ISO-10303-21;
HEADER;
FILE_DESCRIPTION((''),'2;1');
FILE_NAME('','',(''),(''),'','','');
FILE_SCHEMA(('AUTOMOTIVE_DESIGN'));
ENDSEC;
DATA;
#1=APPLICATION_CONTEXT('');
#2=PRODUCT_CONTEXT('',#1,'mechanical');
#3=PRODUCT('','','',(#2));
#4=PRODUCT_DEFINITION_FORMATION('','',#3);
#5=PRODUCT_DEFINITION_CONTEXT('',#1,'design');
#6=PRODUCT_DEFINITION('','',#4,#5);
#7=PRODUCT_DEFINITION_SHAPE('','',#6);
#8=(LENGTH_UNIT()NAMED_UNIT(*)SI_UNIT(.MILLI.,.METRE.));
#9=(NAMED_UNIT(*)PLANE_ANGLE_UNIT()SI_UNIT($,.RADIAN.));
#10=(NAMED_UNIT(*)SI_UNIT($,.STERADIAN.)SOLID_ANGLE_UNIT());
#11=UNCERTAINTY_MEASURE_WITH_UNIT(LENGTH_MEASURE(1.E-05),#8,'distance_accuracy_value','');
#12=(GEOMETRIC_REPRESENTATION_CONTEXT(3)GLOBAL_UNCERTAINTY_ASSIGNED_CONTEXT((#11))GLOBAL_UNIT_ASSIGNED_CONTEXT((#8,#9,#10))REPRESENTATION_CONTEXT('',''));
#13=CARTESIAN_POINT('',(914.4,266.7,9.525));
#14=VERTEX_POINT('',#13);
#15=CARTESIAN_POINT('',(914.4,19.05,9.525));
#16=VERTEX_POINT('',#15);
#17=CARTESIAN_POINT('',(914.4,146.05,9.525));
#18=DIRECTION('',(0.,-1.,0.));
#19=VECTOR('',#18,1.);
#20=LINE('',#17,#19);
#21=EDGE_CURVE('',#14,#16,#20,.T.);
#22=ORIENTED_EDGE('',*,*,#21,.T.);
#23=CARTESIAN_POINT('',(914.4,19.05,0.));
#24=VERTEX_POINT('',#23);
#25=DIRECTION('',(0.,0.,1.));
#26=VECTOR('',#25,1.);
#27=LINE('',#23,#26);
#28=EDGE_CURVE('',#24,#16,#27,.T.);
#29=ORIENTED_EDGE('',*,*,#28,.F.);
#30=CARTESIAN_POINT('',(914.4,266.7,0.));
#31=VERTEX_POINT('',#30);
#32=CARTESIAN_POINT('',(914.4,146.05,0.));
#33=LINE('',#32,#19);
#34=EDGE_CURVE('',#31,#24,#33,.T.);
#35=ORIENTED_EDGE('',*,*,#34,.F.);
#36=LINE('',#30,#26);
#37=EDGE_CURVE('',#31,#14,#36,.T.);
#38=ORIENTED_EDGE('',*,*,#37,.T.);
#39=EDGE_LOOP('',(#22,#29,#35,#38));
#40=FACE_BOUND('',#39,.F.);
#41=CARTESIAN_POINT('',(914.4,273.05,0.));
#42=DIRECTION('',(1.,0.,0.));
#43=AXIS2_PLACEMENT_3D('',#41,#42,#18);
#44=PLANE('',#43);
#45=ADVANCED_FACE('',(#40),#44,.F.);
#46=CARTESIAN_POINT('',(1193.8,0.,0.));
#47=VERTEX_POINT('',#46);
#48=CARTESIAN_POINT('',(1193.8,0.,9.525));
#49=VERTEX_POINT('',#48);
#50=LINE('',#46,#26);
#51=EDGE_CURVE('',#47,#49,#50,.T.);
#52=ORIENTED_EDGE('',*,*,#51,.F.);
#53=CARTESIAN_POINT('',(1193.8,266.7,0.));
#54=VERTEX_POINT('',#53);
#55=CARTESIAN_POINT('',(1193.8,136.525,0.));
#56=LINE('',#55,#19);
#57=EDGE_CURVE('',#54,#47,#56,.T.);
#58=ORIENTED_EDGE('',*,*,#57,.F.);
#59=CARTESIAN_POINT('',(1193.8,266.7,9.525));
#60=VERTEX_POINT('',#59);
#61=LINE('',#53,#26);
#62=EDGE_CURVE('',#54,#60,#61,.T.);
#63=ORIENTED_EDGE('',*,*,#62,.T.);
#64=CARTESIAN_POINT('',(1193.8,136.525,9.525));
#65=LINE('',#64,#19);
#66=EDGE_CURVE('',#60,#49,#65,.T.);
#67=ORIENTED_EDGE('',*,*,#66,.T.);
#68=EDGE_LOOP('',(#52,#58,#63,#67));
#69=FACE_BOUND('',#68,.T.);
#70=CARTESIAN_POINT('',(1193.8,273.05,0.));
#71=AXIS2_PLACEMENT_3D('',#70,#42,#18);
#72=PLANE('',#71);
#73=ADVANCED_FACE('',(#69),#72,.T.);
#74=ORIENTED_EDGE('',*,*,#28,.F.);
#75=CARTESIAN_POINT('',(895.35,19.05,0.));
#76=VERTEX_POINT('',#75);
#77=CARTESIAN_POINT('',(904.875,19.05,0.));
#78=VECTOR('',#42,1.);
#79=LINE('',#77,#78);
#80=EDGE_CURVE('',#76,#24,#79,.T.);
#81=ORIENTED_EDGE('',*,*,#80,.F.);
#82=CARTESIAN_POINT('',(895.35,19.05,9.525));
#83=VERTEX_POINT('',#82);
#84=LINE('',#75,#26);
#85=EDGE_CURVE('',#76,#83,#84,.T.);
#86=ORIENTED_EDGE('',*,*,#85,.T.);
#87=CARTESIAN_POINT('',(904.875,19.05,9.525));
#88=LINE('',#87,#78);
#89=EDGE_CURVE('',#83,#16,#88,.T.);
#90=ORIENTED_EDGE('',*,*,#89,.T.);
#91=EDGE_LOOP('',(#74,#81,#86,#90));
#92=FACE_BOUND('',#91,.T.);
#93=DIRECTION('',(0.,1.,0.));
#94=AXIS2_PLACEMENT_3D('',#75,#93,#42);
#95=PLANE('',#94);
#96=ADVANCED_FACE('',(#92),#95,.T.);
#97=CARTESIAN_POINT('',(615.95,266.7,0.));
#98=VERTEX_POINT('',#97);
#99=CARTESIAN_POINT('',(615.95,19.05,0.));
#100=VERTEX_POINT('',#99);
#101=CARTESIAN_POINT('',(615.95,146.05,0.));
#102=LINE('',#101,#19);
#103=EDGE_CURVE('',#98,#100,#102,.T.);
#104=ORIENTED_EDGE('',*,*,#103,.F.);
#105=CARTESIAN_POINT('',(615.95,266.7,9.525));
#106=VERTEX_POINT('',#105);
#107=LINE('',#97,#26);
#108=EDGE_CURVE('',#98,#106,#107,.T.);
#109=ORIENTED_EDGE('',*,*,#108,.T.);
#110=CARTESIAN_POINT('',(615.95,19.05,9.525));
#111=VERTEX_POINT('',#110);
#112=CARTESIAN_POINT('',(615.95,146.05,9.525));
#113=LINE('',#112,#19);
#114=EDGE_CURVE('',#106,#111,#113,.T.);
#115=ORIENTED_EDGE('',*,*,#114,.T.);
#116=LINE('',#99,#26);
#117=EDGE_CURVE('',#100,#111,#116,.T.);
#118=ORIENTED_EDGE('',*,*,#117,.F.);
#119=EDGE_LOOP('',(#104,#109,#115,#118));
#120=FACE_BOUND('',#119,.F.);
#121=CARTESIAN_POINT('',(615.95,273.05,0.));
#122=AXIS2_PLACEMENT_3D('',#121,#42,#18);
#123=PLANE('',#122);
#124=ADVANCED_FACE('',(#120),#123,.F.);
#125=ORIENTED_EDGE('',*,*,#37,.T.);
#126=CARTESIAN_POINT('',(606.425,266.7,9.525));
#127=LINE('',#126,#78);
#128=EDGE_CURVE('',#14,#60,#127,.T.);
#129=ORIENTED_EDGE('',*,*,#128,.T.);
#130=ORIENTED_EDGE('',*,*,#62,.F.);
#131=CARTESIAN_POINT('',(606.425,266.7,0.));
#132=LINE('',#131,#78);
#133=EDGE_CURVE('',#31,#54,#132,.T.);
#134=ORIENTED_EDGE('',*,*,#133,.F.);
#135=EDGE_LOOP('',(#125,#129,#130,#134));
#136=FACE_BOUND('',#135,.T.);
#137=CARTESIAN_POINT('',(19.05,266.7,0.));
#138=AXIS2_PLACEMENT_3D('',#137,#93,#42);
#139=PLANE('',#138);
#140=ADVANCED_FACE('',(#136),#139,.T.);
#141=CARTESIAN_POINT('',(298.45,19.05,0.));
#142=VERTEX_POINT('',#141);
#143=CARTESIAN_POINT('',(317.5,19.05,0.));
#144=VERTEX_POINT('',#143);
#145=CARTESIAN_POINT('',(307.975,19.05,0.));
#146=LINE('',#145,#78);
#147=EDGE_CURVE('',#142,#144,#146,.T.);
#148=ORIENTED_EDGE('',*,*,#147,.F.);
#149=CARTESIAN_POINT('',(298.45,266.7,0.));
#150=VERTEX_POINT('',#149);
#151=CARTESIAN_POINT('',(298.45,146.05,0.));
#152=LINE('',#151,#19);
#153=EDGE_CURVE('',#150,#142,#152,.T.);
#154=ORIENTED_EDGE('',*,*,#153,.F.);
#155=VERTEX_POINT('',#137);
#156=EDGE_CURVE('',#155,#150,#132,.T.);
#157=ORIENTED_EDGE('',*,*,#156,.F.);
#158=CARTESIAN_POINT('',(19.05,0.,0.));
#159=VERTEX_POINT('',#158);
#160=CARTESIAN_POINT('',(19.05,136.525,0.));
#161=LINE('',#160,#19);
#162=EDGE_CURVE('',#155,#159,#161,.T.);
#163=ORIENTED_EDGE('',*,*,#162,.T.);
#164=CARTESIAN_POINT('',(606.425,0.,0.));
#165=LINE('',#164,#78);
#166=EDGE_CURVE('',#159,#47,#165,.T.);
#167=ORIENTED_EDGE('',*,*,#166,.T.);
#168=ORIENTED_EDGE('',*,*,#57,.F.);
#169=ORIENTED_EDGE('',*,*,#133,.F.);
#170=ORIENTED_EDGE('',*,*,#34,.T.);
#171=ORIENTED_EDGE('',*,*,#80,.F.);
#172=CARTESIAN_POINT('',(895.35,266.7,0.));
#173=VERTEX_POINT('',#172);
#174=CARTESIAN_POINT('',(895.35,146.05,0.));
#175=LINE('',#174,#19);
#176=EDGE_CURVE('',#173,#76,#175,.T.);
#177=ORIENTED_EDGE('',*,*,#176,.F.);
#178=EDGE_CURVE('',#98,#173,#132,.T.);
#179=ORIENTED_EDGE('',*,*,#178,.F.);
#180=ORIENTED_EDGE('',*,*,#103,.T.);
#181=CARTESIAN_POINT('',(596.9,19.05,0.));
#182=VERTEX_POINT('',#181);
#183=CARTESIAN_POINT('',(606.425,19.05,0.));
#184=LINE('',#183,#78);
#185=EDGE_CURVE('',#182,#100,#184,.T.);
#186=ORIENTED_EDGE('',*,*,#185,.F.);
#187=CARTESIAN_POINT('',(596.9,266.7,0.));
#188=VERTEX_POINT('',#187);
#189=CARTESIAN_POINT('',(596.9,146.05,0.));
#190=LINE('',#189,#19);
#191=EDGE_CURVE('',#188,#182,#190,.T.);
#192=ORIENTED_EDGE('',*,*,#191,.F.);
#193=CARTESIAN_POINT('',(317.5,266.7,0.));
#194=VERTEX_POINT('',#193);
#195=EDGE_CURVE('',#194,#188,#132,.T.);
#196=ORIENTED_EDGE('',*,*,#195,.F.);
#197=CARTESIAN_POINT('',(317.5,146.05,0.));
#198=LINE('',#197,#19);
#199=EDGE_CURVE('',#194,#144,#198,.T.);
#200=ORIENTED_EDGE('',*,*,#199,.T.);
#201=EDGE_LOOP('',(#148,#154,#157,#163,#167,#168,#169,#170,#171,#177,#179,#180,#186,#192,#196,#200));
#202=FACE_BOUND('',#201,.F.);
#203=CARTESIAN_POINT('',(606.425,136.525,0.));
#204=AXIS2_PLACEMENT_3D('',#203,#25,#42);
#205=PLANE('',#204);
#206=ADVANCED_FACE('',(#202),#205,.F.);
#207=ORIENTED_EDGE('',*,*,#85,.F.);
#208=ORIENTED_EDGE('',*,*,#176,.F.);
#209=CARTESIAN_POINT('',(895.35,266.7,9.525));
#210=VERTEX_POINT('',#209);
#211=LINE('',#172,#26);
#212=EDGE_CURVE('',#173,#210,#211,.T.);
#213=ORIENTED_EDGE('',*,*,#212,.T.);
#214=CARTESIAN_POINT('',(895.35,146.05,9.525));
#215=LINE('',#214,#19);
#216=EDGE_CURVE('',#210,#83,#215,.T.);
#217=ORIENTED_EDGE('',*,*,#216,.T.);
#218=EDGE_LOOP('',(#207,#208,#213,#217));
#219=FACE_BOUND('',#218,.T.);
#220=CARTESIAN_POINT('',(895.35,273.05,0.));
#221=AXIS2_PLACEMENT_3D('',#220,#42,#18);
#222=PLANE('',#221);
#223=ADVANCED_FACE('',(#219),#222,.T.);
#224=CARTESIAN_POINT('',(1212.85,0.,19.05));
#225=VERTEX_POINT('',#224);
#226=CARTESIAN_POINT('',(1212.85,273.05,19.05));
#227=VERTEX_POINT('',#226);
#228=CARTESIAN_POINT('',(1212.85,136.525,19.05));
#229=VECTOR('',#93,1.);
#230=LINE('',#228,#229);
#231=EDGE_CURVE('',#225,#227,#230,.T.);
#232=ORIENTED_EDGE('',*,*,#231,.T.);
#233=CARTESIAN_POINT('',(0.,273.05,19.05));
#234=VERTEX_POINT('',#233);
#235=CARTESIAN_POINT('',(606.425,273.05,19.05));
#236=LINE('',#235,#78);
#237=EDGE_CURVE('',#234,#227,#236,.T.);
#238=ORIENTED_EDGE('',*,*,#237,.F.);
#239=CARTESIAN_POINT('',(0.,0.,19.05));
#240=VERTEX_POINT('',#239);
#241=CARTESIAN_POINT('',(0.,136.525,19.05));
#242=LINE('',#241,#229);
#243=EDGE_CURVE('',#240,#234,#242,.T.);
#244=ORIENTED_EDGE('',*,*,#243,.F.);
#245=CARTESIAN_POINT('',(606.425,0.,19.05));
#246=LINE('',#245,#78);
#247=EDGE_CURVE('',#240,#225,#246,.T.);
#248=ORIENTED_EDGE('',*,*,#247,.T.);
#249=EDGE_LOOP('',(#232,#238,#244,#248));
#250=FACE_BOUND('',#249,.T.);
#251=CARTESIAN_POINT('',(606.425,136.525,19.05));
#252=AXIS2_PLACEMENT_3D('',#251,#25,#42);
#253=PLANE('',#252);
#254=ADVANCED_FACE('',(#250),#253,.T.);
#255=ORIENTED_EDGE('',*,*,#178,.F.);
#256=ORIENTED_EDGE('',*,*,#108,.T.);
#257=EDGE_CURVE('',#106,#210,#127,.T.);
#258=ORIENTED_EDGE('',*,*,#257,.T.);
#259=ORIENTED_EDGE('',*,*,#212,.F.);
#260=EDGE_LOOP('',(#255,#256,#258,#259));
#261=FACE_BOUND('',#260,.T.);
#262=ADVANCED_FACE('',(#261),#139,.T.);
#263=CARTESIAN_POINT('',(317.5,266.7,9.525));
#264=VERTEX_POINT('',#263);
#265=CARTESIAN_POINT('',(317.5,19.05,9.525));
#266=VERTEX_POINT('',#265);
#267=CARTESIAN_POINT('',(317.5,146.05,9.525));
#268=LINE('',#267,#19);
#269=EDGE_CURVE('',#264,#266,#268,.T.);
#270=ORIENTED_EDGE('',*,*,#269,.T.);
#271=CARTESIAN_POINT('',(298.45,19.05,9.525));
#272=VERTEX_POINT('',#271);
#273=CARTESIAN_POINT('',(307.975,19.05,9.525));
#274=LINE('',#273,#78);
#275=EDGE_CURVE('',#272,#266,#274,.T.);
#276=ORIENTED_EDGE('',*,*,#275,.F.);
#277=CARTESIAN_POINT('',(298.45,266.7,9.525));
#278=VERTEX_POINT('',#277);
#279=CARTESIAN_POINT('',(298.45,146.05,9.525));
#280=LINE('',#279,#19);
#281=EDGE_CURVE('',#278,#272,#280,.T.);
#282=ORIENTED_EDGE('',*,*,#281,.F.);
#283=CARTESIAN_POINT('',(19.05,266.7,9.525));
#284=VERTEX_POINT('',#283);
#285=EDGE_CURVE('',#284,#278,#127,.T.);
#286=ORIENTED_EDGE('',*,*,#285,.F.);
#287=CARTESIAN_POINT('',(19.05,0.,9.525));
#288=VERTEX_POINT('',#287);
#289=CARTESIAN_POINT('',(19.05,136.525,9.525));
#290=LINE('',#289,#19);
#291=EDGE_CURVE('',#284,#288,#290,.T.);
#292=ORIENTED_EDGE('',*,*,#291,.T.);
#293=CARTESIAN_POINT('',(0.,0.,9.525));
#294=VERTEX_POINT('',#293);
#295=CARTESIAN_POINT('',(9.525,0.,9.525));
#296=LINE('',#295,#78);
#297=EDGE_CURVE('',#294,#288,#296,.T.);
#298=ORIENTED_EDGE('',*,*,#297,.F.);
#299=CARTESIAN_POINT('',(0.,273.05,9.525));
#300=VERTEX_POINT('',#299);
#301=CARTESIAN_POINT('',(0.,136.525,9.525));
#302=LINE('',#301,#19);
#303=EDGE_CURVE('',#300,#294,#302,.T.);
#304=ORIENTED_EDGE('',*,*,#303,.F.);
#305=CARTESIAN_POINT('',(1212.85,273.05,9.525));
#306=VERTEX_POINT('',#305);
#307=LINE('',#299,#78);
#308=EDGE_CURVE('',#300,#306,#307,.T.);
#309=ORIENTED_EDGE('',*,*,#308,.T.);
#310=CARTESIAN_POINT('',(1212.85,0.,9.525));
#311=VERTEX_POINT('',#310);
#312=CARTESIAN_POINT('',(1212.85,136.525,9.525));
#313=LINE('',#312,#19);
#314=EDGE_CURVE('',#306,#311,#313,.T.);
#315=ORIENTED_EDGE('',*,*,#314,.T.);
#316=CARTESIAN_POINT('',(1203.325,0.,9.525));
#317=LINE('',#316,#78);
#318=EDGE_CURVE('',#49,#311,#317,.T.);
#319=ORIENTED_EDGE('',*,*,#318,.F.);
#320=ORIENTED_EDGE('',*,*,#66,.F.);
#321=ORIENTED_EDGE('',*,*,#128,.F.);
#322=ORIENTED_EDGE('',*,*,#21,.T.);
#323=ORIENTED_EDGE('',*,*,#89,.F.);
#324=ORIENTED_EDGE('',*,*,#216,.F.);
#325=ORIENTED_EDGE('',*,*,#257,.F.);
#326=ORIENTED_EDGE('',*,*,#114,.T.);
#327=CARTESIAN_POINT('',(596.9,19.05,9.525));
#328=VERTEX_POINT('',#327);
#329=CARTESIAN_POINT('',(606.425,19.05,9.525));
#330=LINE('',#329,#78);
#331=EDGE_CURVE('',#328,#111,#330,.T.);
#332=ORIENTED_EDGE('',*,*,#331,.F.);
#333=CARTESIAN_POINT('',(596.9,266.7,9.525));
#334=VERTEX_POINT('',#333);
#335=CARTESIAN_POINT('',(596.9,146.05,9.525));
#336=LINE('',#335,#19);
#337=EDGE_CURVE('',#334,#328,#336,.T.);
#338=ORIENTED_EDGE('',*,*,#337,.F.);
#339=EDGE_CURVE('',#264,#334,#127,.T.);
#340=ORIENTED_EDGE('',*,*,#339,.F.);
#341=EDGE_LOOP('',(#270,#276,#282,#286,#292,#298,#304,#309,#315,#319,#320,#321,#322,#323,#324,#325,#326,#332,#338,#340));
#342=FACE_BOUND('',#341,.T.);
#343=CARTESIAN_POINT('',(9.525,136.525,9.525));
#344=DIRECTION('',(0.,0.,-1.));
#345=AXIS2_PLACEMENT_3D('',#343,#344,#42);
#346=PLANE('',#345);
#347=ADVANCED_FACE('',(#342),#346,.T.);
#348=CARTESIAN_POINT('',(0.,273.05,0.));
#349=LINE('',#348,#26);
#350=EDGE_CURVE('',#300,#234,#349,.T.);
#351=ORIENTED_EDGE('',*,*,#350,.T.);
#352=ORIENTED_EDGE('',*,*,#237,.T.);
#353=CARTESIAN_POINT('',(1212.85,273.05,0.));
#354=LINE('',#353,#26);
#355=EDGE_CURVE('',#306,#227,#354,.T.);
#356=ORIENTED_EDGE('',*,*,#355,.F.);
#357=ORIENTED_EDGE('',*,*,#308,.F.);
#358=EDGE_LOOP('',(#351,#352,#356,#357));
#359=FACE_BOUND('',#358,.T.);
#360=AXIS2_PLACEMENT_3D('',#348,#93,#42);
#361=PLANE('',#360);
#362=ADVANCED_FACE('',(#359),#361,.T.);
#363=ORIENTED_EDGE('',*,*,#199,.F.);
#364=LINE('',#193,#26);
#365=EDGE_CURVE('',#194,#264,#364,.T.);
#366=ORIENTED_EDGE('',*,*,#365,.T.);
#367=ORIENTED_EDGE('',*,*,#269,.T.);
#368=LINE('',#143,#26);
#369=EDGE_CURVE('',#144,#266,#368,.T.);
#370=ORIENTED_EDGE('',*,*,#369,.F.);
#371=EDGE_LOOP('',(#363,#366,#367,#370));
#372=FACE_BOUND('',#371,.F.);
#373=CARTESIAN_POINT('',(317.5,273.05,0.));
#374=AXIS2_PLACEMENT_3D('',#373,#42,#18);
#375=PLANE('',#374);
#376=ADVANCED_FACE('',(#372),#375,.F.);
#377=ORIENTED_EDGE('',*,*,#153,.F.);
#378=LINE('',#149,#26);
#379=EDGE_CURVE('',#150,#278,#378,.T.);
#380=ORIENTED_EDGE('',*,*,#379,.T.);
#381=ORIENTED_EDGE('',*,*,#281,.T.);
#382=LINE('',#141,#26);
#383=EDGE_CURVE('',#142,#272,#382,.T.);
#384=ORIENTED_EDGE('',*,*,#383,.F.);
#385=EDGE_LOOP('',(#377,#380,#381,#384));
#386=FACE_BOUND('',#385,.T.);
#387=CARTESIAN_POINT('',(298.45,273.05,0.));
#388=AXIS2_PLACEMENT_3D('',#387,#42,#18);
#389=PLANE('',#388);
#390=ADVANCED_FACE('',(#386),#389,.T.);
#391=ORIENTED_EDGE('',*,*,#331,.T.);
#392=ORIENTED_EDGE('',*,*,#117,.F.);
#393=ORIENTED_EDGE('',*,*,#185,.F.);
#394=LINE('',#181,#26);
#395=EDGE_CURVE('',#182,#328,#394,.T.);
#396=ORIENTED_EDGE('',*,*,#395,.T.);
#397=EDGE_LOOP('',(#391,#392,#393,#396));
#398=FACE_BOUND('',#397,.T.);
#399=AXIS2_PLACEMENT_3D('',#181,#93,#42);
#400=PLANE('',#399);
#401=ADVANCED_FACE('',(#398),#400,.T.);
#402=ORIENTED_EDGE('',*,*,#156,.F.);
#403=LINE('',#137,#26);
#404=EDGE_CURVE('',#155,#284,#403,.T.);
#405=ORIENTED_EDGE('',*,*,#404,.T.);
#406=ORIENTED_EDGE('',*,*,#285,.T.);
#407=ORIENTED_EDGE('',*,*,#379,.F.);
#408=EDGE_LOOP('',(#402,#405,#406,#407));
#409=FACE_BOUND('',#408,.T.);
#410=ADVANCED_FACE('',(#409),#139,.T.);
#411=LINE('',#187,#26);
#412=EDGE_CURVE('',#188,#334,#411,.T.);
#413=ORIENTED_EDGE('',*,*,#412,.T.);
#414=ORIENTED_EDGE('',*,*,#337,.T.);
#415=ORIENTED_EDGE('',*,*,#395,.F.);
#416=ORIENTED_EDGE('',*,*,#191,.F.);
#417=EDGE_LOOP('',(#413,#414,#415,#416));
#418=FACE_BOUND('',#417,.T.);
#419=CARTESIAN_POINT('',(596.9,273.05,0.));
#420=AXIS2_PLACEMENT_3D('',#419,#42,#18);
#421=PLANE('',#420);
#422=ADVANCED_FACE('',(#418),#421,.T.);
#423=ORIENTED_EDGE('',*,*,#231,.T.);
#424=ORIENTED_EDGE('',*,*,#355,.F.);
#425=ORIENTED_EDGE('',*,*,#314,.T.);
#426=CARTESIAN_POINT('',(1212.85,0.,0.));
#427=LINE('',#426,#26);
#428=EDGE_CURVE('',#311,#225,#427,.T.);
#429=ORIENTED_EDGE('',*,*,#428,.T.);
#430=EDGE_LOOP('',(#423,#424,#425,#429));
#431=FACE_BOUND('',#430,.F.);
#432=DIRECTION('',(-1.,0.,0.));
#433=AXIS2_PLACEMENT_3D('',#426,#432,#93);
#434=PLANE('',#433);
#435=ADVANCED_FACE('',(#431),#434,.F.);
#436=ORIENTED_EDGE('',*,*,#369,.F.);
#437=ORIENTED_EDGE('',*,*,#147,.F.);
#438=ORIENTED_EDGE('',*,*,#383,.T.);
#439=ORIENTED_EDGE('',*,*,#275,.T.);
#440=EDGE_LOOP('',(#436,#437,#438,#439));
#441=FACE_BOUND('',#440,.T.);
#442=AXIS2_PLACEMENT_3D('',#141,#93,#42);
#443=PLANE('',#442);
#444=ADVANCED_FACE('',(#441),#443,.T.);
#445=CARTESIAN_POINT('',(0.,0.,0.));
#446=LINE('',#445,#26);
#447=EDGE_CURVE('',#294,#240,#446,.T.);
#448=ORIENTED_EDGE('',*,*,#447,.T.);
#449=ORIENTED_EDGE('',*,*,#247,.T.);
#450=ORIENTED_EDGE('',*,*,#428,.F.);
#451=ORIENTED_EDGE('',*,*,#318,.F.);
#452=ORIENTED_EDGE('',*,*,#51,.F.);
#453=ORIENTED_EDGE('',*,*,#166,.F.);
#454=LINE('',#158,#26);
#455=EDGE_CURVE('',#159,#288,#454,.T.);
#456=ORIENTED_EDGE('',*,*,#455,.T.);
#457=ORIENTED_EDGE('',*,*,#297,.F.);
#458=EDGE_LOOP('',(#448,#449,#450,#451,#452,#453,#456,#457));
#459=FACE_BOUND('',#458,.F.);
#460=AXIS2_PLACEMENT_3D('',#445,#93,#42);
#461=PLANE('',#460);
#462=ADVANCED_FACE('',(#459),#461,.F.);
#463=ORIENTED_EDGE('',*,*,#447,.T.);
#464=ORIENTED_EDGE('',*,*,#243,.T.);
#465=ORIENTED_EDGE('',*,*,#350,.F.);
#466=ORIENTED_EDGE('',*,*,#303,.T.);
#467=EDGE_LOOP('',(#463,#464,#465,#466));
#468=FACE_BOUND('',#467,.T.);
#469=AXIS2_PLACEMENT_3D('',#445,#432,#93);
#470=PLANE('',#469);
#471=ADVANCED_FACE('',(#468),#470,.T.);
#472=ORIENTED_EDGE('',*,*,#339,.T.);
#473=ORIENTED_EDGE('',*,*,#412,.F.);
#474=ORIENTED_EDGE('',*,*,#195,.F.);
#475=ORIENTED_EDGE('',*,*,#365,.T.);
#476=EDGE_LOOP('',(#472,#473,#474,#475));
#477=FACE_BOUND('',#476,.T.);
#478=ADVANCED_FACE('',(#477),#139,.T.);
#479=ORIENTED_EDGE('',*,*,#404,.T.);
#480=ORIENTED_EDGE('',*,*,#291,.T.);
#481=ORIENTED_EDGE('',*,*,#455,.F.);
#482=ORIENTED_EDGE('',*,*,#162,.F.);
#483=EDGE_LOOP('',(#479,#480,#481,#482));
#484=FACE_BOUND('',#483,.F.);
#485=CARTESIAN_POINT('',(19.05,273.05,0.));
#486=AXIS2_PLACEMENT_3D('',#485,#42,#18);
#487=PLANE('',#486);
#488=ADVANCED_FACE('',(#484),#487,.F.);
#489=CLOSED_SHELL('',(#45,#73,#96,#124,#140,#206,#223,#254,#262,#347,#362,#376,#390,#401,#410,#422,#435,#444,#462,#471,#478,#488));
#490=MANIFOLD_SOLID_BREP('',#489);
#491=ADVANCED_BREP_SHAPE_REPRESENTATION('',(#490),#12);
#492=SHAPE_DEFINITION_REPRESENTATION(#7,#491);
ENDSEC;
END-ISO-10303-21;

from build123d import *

# Parameters (mm, degrees)
F0_W     = 1212.85
F0_H     = 273.05
F1_DEPTH = 19.05
F2_W     = 19.05
F2_H     = 273.05
F2_H_2   = 254
F3_DEPTH = 9.525
F4_W     = 1174.75
F4_H     = 6.35
F5_DEPTH = 9.525


with BuildPart() as f1:
    # F0 (on Top) → F1 (new body)
    with BuildSketch(Plane.XY):
        with Locations((606.425, 136.525)):
            Rectangle(F0_W, F0_H)
    extrude(amount=F1_DEPTH)

    # F2 (on face) → F3 (cut)
    with BuildSketch(Plane(origin=(0, 0, 0), x_dir=(1, 0, 0), z_dir=(0, 0, -1))):
        with Locations((9.525, -136.525)):
            Rectangle(F2_W, F2_H)
        with Locations((307.975, -146.05)):
            Rectangle(F2_W, F2_H_2)
        with Locations((606.425, -146.05)):
            Rectangle(F2_W, F2_H_2)
        with Locations((904.875, -146.05)):
            Rectangle(F2_W, F2_H_2)
        with Locations((1203.325, -136.525)):
            Rectangle(F2_W, F2_H)
    extrude(amount=-F3_DEPTH, mode=Mode.SUBTRACT)

    # F4 (on face) → F5 (cut)
    with BuildSketch(Plane(origin=(0, 0, 0), x_dir=(1, 0, 0), z_dir=(0, 0, -1))):
        with Locations((606.425, -269.875)):
            Rectangle(F4_W, F4_H)
    extrude(amount=-F5_DEPTH, mode=Mode.SUBTRACT)


solid = f1.part
